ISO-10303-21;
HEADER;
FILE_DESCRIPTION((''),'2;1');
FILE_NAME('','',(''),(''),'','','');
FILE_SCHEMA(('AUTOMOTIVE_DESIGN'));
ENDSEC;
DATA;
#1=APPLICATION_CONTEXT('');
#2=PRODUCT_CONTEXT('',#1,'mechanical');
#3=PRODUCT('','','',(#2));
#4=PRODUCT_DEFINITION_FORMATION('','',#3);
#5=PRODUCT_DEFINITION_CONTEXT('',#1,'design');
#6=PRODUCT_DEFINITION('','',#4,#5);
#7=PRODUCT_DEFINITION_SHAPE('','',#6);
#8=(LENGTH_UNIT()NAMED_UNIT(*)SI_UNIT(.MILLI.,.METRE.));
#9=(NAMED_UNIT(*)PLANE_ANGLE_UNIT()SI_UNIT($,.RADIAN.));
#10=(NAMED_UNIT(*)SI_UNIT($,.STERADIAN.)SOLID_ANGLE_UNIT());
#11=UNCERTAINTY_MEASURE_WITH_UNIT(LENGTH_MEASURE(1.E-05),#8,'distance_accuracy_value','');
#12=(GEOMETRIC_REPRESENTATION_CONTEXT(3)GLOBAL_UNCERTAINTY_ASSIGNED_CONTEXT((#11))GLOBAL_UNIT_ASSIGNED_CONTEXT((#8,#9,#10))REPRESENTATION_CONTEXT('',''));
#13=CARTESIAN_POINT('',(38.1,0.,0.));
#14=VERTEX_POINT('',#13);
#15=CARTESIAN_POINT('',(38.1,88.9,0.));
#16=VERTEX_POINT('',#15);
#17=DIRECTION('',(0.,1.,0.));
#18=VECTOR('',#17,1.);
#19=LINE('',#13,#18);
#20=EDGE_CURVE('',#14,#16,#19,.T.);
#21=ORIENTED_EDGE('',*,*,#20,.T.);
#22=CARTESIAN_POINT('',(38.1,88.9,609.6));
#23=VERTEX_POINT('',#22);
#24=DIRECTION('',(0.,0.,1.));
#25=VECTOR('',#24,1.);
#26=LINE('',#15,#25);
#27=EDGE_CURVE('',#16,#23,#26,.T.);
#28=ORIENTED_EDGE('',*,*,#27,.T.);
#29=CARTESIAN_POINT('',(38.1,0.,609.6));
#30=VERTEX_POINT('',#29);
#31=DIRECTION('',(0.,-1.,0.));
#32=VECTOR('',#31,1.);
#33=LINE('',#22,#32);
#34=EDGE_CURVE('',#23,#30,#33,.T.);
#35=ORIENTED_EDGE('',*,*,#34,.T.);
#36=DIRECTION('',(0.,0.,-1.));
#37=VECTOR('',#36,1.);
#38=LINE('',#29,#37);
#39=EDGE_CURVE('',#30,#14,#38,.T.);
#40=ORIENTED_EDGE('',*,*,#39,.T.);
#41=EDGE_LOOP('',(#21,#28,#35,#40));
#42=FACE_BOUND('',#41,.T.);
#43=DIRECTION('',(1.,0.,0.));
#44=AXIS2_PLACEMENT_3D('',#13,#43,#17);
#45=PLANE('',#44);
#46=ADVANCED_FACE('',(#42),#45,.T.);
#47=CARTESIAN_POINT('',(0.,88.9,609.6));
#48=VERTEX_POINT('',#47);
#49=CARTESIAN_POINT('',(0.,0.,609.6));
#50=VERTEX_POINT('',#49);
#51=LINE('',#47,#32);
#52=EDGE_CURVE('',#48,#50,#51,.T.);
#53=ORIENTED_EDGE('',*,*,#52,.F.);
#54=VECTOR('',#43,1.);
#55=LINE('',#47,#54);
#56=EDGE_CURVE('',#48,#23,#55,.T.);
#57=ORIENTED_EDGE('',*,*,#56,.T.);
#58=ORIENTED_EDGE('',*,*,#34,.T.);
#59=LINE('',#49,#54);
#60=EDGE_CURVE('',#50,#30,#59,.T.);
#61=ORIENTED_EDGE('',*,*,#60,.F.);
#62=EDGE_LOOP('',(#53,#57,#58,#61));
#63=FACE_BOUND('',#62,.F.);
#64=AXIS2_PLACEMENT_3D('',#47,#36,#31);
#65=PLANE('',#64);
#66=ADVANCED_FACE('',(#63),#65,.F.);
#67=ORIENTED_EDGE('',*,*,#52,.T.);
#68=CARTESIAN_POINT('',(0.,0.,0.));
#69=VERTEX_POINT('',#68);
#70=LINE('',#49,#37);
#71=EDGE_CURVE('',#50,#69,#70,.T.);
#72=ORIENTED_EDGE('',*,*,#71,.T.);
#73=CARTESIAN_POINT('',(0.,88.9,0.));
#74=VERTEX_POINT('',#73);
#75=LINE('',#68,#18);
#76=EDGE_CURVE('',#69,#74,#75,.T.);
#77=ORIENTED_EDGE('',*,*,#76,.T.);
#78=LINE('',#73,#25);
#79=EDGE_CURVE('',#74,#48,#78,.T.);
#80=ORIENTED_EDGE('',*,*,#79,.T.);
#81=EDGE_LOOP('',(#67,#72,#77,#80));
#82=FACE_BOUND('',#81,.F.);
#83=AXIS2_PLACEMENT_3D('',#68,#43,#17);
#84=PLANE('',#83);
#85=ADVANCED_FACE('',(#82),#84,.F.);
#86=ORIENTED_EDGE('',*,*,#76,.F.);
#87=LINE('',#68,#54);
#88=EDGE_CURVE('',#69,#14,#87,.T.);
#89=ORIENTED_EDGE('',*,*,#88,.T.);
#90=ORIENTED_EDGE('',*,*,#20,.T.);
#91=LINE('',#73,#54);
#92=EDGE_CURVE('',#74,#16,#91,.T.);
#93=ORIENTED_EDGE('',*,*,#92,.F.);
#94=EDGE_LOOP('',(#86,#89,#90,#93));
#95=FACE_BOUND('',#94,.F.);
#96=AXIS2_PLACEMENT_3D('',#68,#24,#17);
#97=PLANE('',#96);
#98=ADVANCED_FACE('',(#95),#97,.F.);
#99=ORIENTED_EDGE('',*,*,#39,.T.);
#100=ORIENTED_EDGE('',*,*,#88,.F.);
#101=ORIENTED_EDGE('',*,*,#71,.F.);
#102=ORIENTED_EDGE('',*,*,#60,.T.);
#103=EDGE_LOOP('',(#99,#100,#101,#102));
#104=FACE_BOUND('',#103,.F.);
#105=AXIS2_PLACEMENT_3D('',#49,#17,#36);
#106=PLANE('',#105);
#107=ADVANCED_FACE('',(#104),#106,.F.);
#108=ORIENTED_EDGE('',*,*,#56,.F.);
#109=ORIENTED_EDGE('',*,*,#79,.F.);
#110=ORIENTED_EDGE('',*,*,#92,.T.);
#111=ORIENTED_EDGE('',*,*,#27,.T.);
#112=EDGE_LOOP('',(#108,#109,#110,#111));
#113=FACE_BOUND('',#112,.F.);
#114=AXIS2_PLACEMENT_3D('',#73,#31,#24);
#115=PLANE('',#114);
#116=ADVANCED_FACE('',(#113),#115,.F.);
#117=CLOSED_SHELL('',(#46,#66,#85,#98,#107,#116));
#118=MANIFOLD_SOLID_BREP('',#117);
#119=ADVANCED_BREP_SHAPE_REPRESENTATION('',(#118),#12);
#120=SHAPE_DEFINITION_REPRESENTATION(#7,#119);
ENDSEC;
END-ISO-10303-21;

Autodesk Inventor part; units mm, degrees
ref_plane "YZ Plane" through (0, 0, 0) normal (1, 0, 0) x (0, 1, 0)
ref_plane "XZ Plane" through (0, 0, 0) normal (0, 1, 0) x (-1, 0, 0)
ref_plane "XY Plane" through (0, 0, 0) normal (0, 0, 1) x (1, 0, 0)
sketch "Sketch1" plane through (0, 0, 0) normal (1, 0, 0) x (0, 1, 0)
  line L0 (0, 0) -> (88.9, 0)
  line L1 (88.9, 0) -> (88.9, 609.6)
  line L2 (88.9, 609.6) -> (0, 609.6)
  line L3 (0, 609.6) -> (0, 0)
  dimension "d0" = 88.9
  dimension "d1" = 609.6
extrude "Extrusion1" add sketch "Sketch1" along normal blind 38.1
properties part number "Top Continuation Bar" material "Wood"
